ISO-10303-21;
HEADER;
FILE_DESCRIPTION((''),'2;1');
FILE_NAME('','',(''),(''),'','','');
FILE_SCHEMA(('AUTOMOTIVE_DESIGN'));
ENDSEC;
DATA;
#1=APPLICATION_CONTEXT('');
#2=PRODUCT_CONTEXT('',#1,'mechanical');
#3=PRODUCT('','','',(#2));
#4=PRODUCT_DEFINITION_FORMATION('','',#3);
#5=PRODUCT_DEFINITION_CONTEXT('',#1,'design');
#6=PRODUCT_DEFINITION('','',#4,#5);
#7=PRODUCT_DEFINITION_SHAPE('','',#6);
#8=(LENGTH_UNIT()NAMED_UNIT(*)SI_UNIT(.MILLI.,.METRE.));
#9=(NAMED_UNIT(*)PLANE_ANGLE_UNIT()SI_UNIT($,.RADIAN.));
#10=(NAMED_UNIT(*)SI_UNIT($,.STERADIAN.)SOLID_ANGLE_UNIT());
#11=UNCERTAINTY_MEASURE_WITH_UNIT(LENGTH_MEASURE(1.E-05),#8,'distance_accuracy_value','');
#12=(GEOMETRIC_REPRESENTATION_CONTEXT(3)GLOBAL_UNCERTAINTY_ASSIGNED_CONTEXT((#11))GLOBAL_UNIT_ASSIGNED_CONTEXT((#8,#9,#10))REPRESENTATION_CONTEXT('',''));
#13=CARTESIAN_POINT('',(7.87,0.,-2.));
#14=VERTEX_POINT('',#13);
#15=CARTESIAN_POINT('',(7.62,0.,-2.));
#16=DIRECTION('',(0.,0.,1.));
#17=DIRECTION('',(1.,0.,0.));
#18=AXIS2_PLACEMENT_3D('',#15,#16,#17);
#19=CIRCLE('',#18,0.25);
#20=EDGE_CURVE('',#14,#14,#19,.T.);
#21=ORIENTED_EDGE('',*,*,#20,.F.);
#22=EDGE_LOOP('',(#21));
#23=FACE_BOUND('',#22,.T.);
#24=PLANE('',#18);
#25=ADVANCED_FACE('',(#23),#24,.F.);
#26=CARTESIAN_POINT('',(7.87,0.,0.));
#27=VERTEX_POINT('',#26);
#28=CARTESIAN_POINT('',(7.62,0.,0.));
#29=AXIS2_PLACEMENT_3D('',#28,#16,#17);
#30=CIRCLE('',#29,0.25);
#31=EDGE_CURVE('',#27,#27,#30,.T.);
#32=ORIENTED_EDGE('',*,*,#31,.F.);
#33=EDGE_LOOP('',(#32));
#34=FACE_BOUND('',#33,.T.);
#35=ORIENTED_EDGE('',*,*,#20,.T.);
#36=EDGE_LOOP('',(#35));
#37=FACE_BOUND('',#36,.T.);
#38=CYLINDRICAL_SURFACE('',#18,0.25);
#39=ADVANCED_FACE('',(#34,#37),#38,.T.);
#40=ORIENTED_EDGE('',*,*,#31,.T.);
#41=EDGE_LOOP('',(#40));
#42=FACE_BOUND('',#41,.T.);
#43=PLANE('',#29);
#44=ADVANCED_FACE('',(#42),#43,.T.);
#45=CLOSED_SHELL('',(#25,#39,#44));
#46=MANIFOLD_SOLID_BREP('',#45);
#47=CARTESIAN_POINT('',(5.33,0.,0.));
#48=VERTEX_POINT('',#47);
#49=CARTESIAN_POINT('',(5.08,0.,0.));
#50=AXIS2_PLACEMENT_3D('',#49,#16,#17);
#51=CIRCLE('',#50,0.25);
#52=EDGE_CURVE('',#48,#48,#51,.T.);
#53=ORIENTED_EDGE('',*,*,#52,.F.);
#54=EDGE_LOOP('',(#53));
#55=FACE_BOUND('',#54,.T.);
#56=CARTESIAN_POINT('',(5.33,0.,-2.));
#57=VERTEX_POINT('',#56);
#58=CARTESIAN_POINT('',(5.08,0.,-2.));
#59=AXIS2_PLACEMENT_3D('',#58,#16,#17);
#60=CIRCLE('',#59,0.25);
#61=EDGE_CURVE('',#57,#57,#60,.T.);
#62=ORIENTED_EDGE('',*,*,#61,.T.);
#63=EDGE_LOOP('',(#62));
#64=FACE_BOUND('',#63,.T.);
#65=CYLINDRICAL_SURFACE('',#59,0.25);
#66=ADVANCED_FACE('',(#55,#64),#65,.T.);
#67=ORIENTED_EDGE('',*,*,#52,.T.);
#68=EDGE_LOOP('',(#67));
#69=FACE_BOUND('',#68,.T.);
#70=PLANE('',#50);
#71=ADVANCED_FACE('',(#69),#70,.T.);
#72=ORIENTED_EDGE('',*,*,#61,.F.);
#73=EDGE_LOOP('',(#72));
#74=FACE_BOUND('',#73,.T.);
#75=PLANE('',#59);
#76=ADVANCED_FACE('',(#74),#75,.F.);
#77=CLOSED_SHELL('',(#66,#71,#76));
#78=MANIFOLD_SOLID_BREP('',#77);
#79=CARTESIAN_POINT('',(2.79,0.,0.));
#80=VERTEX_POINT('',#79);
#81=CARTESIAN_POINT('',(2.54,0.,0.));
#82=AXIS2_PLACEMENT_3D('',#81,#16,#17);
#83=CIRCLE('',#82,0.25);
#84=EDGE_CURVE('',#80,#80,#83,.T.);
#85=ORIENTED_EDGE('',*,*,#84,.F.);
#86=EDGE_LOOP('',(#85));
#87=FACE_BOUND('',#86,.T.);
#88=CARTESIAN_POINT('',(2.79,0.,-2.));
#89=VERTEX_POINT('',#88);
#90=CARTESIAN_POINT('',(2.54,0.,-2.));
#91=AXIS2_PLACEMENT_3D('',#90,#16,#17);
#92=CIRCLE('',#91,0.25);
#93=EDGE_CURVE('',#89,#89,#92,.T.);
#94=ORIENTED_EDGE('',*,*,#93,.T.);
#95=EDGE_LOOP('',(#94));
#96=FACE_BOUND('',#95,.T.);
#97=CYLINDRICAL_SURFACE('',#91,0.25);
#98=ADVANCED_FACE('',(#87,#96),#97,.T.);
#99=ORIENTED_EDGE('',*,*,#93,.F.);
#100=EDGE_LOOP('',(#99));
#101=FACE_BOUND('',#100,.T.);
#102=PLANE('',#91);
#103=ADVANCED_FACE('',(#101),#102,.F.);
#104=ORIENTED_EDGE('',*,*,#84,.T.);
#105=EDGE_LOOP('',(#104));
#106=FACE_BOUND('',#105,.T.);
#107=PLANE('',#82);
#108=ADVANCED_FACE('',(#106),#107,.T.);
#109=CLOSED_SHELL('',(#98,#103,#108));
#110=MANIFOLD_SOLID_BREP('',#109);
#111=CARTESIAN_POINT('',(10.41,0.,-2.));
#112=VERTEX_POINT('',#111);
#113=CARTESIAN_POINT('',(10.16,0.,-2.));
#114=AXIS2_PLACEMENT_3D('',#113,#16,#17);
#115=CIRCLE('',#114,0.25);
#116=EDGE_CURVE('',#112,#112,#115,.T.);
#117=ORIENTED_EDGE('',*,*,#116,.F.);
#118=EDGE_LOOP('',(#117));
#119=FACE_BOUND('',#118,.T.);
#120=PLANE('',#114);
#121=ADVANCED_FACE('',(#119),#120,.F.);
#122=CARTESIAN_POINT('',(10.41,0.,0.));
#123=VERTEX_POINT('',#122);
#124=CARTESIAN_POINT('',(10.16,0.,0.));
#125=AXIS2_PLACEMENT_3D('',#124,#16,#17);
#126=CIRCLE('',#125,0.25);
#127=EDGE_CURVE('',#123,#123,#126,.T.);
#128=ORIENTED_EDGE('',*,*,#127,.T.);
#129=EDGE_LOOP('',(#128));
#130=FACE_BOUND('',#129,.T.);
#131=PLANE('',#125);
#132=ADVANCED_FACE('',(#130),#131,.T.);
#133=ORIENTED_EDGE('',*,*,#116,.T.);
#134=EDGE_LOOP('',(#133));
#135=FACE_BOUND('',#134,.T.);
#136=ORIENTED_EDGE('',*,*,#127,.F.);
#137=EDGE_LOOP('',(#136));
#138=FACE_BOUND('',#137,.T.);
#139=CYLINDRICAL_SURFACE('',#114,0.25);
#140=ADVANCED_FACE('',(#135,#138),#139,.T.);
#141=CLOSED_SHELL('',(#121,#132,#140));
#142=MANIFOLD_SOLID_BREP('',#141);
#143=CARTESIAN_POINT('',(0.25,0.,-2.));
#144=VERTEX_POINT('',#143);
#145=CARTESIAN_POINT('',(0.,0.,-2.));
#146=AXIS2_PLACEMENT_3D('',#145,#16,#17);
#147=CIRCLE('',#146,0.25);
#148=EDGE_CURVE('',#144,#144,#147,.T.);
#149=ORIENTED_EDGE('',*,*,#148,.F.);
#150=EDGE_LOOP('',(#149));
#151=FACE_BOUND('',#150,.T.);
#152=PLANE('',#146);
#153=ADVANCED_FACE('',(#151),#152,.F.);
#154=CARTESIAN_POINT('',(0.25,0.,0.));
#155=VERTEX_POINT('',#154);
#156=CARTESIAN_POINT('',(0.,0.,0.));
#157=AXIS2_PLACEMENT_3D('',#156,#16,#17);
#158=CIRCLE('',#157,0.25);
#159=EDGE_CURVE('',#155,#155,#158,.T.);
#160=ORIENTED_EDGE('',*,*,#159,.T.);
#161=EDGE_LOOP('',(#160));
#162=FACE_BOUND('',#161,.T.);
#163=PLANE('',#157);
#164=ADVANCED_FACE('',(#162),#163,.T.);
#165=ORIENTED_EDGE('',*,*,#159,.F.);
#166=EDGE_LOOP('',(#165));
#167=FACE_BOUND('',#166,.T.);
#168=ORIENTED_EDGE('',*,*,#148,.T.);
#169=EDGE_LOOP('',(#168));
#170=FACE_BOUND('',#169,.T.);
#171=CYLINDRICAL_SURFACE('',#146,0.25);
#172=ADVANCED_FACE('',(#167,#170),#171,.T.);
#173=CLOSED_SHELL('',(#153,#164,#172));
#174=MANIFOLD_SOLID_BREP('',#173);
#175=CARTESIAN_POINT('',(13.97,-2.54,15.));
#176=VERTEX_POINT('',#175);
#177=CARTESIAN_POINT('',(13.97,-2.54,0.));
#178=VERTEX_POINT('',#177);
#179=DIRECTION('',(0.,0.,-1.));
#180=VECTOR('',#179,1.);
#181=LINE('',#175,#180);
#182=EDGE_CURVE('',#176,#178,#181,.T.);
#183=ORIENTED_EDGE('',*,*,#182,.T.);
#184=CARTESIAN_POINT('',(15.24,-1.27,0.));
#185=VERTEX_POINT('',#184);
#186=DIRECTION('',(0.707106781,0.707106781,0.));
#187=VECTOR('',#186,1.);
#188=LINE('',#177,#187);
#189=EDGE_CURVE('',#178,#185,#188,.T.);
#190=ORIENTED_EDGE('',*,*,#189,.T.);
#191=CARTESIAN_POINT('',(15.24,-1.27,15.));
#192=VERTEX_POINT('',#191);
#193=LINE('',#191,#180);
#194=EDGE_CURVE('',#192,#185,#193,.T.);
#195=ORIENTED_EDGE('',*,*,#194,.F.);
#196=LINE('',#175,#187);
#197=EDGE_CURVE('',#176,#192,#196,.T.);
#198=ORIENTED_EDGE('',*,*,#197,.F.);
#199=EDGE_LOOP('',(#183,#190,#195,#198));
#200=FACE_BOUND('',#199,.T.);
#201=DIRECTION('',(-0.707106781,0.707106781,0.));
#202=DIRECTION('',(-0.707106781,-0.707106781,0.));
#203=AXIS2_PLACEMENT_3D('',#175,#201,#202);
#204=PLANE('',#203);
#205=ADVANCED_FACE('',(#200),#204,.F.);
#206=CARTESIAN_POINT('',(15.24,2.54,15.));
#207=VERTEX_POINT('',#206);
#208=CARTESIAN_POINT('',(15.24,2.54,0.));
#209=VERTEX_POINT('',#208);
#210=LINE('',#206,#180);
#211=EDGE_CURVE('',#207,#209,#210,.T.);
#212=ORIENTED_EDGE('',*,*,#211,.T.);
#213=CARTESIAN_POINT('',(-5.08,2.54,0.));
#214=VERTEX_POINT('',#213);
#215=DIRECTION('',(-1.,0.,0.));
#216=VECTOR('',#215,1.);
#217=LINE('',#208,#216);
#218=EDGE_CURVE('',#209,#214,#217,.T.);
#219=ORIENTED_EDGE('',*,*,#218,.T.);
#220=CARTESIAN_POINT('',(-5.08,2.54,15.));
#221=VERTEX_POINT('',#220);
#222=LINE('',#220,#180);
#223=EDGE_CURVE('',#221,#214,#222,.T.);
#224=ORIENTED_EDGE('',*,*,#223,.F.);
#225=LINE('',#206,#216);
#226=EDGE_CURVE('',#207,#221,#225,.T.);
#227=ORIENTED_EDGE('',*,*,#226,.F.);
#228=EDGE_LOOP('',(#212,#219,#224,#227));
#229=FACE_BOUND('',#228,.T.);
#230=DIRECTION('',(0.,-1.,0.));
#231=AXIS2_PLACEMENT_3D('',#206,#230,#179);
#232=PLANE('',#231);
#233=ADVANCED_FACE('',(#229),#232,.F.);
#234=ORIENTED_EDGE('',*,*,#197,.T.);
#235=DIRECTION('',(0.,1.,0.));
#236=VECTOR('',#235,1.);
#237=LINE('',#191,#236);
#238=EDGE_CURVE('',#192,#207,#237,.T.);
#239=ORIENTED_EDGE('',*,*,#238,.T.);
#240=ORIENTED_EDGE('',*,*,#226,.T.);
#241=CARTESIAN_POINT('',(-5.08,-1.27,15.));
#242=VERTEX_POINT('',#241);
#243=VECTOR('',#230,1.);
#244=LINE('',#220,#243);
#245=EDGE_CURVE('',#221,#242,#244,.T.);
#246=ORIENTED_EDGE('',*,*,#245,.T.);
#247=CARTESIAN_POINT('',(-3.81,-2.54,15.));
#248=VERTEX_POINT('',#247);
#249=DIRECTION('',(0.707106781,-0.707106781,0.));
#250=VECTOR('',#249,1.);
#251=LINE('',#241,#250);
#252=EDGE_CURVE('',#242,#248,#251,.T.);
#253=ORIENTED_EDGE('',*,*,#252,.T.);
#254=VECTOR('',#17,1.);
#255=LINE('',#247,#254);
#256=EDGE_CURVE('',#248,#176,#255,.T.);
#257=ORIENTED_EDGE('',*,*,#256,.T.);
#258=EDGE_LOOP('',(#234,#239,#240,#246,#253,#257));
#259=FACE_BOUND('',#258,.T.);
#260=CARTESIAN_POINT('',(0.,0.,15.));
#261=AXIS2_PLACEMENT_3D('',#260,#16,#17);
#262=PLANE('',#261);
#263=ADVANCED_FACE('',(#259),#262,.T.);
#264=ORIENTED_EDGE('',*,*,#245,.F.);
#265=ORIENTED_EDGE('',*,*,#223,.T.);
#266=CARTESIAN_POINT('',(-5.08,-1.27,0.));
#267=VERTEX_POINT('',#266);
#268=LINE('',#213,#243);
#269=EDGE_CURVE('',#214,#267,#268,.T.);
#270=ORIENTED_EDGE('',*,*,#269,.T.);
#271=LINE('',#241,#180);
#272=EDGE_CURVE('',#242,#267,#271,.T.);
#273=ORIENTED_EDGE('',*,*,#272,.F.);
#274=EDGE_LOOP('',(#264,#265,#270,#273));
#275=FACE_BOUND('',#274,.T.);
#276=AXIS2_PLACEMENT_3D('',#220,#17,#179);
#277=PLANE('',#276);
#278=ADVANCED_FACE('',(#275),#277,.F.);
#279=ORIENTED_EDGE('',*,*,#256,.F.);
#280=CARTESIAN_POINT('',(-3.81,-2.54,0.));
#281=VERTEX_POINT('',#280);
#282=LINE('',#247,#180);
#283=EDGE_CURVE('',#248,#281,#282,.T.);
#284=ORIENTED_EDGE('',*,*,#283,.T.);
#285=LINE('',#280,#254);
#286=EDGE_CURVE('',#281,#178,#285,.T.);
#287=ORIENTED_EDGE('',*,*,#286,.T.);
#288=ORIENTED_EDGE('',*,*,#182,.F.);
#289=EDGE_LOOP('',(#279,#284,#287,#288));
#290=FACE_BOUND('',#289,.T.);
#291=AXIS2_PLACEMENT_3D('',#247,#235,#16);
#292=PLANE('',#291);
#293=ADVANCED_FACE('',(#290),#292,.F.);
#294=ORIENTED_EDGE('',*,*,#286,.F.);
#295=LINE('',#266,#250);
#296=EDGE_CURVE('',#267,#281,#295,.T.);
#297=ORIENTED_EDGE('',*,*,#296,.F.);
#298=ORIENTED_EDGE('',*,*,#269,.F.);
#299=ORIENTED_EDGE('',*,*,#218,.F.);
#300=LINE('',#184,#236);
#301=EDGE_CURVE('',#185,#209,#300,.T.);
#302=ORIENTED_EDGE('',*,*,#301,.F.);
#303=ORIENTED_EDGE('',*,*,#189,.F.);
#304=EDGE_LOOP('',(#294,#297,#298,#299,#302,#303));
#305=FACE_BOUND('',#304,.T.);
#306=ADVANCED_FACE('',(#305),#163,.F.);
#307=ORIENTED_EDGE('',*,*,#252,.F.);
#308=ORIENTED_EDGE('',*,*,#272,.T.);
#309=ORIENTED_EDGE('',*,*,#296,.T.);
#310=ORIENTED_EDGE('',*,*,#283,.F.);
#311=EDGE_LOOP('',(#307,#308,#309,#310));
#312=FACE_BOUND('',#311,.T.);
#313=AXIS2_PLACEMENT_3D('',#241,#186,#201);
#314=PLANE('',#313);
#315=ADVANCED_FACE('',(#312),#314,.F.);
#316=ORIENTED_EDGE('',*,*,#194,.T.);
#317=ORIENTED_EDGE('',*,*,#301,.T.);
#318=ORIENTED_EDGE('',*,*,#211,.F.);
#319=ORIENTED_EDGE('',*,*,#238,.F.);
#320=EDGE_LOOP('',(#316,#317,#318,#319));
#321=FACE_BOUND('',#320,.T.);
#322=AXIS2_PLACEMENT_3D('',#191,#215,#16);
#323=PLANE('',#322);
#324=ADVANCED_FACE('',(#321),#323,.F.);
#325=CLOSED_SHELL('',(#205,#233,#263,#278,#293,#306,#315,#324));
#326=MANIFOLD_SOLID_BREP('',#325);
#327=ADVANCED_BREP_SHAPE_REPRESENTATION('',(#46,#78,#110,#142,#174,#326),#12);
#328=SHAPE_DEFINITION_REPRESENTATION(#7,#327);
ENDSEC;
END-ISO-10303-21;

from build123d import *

# Parameters (mm, degrees)
COMPONENT_OUTLINE_DEPTH = 15
SKETCH2_R               = 0.25
EXTRUDE_1_DEPTH         = 2
SKETCH3_R               = 0.25
EXTRUDE_2_DEPTH         = 2
SKETCH4_R               = 0.25
EXTRUDE_3_DEPTH         = 2
SKETCH5_R               = 0.25
EXTRUDE_4_DEPTH         = 2
SKETCH6_R               = 0.25
EXTRUDE_5_DEPTH         = 2


with BuildPart() as part:
    # Sketch1 → Component_Outline (new body)
    with BuildSketch(Plane.XY):
        Polygon((-5.08, 2.54), (-5.08, -1.27), (-3.81, -2.54), (13.97, -2.54), (15.24, -1.27), (15.24, 2.54), align=None)
    extrude(amount=COMPONENT_OUTLINE_DEPTH)


with BuildPart() as body_2:
    # Sketch2 → Extrude 1 (new body)
    with BuildSketch(Plane.XY):
        Circle(SKETCH2_R)
    extrude(amount=-EXTRUDE_1_DEPTH)


with BuildPart() as body_3:
    # Sketch3 → Extrude 2 (new body)
    with BuildSketch(Plane.XY):
        with Locations((2.54, 0)):
            Circle(SKETCH3_R)
    extrude(amount=-EXTRUDE_2_DEPTH)


with BuildPart() as body_4:
    # Sketch4 → Extrude 3 (new body)
    with BuildSketch(Plane.XY):
        with Locations((5.08, 0)):
            Circle(SKETCH4_R)
    extrude(amount=-EXTRUDE_3_DEPTH)


with BuildPart() as body_5:
    # Sketch5 → Extrude 4 (new body)
    with BuildSketch(Plane.XY):
        with Locations((7.62, 0)):
            Circle(SKETCH5_R)
    extrude(amount=-EXTRUDE_4_DEPTH)


with BuildPart() as body_6:
    # Sketch6 → Extrude 5 (new body)
    with BuildSketch(Plane.XY):
        with Locations((10.16, 0)):
            Circle(SKETCH6_R)
    extrude(amount=-EXTRUDE_5_DEPTH)


solid = Compound([part.part, body_2.part, body_3.part, body_4.part, body_5.part, body_6.part])
